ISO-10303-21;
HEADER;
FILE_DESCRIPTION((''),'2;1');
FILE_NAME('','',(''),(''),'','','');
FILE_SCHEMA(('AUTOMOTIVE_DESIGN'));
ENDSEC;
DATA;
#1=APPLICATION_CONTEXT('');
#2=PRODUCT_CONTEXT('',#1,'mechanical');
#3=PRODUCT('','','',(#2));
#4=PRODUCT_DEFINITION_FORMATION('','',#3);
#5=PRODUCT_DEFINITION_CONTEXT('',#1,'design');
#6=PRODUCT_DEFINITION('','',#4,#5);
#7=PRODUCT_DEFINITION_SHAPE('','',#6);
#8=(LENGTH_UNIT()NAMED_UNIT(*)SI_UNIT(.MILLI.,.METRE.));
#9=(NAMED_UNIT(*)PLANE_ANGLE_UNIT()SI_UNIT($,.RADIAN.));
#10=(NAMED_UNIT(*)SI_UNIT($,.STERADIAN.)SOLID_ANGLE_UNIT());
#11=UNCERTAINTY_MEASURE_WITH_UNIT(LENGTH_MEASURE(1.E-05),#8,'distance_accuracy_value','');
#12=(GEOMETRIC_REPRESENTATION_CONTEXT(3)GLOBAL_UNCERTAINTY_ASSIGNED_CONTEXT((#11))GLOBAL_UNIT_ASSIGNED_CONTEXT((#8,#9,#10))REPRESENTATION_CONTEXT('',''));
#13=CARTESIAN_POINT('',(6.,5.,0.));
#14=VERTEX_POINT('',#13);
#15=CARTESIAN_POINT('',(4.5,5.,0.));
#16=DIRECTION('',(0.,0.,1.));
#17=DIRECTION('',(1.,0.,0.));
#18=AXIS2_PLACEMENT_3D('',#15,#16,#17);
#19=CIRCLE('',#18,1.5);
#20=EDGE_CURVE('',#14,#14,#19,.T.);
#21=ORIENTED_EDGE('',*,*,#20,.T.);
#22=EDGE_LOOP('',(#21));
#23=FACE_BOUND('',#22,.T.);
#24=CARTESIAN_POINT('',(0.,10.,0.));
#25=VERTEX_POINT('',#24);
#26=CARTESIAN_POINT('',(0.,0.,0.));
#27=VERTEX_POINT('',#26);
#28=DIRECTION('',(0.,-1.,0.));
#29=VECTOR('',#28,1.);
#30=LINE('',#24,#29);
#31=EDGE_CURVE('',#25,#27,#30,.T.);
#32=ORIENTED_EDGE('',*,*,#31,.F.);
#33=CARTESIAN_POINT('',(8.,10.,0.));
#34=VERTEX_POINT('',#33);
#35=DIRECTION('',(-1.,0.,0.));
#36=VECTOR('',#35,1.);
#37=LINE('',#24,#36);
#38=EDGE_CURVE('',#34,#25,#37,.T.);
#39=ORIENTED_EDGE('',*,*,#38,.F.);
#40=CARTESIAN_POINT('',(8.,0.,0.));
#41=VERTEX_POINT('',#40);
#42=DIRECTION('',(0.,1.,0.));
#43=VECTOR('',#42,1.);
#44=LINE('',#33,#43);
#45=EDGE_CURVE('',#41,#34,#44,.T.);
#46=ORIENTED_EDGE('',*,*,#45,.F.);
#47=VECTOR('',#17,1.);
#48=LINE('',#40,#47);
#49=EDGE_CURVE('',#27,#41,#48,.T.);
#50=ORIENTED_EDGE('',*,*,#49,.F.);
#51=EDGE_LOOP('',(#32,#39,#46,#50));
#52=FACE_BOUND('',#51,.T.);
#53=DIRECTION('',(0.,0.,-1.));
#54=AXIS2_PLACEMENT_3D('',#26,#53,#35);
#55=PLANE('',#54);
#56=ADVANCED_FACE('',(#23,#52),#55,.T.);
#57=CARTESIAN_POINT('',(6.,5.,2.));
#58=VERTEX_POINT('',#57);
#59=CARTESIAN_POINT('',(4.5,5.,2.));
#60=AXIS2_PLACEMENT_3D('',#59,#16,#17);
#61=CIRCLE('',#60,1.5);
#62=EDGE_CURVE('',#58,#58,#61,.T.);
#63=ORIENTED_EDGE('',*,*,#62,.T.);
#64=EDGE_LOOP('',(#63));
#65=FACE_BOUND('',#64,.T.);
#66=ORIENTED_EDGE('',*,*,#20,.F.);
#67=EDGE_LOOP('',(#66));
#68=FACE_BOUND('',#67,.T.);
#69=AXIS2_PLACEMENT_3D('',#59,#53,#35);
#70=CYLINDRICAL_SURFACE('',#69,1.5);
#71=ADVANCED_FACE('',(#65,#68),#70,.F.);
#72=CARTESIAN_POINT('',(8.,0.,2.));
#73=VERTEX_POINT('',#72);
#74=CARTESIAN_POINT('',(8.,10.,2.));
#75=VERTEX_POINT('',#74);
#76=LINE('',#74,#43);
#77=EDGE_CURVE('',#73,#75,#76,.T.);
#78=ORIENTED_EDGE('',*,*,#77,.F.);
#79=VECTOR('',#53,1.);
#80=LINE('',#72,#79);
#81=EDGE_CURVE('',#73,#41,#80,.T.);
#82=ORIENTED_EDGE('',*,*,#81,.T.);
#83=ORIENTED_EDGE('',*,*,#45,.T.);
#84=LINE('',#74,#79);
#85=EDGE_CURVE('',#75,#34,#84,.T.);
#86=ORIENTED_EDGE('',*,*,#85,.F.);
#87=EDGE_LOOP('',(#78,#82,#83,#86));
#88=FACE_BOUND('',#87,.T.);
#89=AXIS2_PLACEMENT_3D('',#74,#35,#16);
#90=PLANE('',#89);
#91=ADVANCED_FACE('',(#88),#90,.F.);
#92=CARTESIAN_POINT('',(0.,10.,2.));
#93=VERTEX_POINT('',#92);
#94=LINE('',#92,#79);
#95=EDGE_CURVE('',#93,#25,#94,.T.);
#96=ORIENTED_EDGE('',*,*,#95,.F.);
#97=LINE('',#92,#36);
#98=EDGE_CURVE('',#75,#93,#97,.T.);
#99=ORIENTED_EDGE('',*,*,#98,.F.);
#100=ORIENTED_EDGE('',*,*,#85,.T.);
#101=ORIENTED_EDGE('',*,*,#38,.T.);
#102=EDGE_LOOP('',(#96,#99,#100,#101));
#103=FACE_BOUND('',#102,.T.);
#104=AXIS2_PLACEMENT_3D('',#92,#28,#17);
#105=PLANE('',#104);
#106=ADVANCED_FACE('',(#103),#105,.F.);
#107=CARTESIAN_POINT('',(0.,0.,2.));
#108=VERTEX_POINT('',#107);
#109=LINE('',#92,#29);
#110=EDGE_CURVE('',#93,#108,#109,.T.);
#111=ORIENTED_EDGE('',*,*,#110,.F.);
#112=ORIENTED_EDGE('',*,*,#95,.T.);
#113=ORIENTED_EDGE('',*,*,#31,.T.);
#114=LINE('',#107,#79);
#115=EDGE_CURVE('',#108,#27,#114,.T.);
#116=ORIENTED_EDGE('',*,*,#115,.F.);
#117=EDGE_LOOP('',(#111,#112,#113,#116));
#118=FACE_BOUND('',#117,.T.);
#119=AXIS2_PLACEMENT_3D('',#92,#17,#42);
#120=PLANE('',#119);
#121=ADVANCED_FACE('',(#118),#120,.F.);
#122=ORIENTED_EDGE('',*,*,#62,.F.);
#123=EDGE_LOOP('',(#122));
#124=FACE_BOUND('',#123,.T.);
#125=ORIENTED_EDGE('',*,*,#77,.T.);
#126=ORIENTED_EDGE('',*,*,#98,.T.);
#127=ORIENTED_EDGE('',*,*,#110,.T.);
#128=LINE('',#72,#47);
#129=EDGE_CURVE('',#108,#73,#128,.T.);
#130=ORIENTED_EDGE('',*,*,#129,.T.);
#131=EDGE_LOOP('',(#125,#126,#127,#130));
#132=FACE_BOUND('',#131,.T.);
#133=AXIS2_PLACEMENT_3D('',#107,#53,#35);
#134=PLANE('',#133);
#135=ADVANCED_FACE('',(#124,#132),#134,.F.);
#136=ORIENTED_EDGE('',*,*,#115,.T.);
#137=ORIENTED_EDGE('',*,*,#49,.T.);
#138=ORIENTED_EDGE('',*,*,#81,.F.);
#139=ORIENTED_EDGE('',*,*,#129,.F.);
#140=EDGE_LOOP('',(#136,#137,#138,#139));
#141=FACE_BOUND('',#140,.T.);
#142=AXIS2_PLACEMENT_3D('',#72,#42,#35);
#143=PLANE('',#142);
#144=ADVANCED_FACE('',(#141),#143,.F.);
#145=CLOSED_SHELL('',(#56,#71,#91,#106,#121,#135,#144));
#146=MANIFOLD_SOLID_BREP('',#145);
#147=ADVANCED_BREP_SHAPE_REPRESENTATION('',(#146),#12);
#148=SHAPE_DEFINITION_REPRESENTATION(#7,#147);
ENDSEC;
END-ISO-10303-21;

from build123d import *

# Parameters (mm, degrees)
SKETCH1_W           = 8
SKETCH1_H           = 10
SKETCH1_R           = 1.5
BOSS_EXTRUDE1_DEPTH = 2


with BuildPart() as part:
    # Sketch1 → Boss-Extrude1 (new body)
    with BuildSketch(Plane.XY):
        with Locations((4, 5)):
            Rectangle(SKETCH1_W, SKETCH1_H)
        with Locations((4.5, 5)):
            Circle(SKETCH1_R, mode=Mode.SUBTRACT)
    extrude(amount=BOSS_EXTRUDE1_DEPTH)


solid = part.part
